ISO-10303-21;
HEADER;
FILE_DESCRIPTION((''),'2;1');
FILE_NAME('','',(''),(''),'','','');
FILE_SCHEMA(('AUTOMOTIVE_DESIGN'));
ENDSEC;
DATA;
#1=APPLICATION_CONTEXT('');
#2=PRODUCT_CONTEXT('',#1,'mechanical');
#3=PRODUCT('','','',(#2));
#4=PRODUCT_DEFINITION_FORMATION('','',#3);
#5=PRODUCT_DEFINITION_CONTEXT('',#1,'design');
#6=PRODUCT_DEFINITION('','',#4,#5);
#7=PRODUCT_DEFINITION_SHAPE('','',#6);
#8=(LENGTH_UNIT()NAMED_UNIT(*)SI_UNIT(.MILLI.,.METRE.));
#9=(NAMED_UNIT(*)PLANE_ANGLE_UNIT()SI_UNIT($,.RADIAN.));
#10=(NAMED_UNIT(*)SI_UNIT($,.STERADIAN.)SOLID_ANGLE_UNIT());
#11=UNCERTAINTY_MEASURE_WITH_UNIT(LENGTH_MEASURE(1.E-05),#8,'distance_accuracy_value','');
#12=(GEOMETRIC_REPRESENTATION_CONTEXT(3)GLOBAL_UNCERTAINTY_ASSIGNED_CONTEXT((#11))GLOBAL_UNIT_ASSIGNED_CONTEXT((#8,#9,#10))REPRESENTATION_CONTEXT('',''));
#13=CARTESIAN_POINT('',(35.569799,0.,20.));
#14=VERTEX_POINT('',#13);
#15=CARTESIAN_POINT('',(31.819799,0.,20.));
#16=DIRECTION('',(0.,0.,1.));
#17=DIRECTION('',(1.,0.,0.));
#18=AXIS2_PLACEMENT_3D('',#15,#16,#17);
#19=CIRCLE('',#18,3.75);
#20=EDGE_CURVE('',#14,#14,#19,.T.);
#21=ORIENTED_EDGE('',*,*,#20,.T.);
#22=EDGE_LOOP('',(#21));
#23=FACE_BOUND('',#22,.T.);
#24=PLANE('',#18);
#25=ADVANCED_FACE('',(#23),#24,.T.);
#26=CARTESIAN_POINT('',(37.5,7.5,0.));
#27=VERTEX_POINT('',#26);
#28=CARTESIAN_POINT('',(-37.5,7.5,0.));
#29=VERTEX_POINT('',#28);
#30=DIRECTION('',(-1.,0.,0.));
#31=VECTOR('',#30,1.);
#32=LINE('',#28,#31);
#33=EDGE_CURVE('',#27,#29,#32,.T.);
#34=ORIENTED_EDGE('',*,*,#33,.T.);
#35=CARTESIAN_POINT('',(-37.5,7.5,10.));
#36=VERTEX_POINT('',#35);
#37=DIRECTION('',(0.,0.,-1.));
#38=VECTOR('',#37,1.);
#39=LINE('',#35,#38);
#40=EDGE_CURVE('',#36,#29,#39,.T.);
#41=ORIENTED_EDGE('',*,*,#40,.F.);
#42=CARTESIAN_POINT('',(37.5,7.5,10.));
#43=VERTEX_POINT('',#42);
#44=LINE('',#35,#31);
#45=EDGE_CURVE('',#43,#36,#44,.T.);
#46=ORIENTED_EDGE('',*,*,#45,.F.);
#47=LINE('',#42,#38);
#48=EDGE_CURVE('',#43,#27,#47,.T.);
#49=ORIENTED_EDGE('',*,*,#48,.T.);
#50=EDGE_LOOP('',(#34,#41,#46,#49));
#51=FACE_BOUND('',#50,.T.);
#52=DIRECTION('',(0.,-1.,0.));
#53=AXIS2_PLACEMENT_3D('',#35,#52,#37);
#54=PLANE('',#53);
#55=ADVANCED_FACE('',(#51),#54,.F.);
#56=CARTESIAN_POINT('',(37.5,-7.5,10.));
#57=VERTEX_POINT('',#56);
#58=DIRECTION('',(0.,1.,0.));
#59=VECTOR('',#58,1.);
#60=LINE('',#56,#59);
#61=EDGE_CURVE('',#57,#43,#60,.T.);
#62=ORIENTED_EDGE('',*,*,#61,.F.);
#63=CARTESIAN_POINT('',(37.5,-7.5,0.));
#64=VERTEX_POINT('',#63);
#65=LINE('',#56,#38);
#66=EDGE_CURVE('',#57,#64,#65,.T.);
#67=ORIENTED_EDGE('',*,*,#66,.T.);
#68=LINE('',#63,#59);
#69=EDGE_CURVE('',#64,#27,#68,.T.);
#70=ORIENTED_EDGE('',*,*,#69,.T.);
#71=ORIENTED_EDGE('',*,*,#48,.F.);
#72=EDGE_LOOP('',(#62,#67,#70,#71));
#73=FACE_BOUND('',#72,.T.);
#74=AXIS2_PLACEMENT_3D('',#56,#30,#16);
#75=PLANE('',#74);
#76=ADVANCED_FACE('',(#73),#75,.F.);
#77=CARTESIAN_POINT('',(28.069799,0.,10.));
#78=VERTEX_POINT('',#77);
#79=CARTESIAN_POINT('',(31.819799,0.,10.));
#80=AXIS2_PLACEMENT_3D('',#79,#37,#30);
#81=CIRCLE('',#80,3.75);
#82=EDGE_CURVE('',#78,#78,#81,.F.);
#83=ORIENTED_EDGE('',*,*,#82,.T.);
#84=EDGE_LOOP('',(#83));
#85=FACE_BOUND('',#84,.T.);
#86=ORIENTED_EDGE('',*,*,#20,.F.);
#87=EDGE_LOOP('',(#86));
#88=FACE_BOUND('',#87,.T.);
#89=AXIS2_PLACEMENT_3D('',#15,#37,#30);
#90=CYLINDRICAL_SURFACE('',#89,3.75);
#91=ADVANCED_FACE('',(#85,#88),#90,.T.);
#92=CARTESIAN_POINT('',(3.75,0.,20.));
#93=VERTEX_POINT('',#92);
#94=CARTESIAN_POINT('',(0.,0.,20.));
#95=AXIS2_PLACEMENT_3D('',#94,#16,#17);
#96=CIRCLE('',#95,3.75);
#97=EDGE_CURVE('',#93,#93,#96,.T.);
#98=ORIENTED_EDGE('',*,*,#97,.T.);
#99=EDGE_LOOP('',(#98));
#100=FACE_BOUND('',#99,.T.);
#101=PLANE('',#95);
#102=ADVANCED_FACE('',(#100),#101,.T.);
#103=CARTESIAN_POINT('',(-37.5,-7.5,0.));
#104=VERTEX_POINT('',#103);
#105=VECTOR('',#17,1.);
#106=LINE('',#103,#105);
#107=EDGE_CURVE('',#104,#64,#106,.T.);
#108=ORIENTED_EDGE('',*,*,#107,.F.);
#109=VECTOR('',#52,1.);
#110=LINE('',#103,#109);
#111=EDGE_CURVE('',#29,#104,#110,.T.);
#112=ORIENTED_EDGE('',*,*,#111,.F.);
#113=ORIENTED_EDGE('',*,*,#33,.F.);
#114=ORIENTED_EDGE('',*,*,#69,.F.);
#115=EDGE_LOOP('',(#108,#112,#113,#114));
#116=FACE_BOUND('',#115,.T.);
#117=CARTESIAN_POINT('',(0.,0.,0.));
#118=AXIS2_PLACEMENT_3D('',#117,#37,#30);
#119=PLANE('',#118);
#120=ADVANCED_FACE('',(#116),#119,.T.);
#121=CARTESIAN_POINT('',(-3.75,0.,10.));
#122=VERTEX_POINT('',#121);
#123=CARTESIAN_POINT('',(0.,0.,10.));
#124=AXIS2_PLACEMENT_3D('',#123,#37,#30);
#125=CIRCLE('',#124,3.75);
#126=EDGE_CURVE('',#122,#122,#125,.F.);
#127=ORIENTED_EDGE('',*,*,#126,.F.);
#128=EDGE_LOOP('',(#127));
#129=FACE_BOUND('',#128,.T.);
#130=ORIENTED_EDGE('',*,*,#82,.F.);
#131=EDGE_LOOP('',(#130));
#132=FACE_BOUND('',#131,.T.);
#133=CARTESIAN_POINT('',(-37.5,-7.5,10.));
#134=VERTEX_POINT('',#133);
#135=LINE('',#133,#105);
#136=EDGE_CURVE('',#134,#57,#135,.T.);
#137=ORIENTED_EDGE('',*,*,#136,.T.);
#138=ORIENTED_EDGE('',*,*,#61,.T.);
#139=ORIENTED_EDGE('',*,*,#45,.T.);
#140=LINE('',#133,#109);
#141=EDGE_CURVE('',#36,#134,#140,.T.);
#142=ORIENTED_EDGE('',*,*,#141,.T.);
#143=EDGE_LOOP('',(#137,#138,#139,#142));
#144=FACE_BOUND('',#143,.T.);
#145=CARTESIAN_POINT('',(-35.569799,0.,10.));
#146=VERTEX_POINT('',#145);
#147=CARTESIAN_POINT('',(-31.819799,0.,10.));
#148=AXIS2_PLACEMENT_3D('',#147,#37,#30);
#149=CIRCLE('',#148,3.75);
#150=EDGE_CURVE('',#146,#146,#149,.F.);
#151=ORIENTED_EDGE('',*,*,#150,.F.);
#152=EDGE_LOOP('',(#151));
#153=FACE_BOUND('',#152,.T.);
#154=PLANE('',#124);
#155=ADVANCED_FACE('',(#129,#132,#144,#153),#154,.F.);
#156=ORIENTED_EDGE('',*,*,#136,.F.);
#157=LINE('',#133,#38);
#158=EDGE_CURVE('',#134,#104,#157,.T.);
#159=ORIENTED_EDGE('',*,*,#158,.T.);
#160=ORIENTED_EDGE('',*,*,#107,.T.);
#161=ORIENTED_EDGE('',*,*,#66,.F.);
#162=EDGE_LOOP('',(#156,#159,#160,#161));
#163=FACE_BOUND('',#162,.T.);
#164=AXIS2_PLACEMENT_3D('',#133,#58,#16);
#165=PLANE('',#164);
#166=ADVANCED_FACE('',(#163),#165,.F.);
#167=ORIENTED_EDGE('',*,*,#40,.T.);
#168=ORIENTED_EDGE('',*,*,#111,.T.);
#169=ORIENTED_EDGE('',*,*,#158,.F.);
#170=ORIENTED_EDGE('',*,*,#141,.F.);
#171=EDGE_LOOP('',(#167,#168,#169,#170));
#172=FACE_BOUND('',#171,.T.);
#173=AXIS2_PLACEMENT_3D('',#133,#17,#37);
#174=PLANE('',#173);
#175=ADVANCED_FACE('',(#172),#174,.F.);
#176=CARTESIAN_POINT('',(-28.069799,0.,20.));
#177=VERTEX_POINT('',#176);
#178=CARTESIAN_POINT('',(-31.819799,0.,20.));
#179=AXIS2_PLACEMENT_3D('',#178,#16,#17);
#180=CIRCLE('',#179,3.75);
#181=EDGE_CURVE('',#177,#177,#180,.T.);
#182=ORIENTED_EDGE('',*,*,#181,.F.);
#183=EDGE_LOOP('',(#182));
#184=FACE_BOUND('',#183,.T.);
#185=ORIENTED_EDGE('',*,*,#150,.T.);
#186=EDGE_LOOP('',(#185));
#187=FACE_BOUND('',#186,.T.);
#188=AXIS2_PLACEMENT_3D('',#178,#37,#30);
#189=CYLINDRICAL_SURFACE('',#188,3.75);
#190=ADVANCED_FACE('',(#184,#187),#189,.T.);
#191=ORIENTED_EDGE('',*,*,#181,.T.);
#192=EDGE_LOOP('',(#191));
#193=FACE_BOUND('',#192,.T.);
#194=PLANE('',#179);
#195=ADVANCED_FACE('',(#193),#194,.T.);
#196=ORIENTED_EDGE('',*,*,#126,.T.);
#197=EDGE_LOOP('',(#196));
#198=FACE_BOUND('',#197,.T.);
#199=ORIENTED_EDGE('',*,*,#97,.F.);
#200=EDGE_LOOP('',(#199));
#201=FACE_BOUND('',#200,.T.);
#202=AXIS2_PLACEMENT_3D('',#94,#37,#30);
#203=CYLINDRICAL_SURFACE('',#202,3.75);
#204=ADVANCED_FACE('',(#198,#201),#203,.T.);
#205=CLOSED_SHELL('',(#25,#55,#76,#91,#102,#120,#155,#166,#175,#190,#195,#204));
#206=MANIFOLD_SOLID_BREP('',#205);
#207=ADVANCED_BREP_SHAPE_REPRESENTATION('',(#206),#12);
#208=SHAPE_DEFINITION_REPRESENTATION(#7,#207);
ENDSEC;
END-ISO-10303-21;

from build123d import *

# Parameters (mm, degrees)
SKETCH1_W           = 75
SKETCH1_H           = 15
BOSS_EXTRUDE1_DEPTH = 10
SKETCH2_R           = 3.75
BOSS_EXTRUDE2_DEPTH = 10


with BuildPart() as part:
    # Sketch1 → Boss-Extrude1 (new body)
    with BuildSketch(Plane.XY):
        Rectangle(SKETCH1_W, SKETCH1_H)
    extrude(amount=BOSS_EXTRUDE1_DEPTH)

    # Sketch2 → Boss-Extrude2 (add)
    with BuildSketch(Plane.XY.offset(10)):
        with Locations(Location((0, 0, 0), (0, 0, 180))):
            Circle(SKETCH2_R)
        with Locations(Location((-31.8197992, 0, 0), (0, 0, 180))):
            Circle(SKETCH2_R)
        with Locations(Location((31.8197992, 0, 0), (0, 0, 180))):
            Circle(SKETCH2_R)
    extrude(amount=BOSS_EXTRUDE2_DEPTH)


solid = part.part
